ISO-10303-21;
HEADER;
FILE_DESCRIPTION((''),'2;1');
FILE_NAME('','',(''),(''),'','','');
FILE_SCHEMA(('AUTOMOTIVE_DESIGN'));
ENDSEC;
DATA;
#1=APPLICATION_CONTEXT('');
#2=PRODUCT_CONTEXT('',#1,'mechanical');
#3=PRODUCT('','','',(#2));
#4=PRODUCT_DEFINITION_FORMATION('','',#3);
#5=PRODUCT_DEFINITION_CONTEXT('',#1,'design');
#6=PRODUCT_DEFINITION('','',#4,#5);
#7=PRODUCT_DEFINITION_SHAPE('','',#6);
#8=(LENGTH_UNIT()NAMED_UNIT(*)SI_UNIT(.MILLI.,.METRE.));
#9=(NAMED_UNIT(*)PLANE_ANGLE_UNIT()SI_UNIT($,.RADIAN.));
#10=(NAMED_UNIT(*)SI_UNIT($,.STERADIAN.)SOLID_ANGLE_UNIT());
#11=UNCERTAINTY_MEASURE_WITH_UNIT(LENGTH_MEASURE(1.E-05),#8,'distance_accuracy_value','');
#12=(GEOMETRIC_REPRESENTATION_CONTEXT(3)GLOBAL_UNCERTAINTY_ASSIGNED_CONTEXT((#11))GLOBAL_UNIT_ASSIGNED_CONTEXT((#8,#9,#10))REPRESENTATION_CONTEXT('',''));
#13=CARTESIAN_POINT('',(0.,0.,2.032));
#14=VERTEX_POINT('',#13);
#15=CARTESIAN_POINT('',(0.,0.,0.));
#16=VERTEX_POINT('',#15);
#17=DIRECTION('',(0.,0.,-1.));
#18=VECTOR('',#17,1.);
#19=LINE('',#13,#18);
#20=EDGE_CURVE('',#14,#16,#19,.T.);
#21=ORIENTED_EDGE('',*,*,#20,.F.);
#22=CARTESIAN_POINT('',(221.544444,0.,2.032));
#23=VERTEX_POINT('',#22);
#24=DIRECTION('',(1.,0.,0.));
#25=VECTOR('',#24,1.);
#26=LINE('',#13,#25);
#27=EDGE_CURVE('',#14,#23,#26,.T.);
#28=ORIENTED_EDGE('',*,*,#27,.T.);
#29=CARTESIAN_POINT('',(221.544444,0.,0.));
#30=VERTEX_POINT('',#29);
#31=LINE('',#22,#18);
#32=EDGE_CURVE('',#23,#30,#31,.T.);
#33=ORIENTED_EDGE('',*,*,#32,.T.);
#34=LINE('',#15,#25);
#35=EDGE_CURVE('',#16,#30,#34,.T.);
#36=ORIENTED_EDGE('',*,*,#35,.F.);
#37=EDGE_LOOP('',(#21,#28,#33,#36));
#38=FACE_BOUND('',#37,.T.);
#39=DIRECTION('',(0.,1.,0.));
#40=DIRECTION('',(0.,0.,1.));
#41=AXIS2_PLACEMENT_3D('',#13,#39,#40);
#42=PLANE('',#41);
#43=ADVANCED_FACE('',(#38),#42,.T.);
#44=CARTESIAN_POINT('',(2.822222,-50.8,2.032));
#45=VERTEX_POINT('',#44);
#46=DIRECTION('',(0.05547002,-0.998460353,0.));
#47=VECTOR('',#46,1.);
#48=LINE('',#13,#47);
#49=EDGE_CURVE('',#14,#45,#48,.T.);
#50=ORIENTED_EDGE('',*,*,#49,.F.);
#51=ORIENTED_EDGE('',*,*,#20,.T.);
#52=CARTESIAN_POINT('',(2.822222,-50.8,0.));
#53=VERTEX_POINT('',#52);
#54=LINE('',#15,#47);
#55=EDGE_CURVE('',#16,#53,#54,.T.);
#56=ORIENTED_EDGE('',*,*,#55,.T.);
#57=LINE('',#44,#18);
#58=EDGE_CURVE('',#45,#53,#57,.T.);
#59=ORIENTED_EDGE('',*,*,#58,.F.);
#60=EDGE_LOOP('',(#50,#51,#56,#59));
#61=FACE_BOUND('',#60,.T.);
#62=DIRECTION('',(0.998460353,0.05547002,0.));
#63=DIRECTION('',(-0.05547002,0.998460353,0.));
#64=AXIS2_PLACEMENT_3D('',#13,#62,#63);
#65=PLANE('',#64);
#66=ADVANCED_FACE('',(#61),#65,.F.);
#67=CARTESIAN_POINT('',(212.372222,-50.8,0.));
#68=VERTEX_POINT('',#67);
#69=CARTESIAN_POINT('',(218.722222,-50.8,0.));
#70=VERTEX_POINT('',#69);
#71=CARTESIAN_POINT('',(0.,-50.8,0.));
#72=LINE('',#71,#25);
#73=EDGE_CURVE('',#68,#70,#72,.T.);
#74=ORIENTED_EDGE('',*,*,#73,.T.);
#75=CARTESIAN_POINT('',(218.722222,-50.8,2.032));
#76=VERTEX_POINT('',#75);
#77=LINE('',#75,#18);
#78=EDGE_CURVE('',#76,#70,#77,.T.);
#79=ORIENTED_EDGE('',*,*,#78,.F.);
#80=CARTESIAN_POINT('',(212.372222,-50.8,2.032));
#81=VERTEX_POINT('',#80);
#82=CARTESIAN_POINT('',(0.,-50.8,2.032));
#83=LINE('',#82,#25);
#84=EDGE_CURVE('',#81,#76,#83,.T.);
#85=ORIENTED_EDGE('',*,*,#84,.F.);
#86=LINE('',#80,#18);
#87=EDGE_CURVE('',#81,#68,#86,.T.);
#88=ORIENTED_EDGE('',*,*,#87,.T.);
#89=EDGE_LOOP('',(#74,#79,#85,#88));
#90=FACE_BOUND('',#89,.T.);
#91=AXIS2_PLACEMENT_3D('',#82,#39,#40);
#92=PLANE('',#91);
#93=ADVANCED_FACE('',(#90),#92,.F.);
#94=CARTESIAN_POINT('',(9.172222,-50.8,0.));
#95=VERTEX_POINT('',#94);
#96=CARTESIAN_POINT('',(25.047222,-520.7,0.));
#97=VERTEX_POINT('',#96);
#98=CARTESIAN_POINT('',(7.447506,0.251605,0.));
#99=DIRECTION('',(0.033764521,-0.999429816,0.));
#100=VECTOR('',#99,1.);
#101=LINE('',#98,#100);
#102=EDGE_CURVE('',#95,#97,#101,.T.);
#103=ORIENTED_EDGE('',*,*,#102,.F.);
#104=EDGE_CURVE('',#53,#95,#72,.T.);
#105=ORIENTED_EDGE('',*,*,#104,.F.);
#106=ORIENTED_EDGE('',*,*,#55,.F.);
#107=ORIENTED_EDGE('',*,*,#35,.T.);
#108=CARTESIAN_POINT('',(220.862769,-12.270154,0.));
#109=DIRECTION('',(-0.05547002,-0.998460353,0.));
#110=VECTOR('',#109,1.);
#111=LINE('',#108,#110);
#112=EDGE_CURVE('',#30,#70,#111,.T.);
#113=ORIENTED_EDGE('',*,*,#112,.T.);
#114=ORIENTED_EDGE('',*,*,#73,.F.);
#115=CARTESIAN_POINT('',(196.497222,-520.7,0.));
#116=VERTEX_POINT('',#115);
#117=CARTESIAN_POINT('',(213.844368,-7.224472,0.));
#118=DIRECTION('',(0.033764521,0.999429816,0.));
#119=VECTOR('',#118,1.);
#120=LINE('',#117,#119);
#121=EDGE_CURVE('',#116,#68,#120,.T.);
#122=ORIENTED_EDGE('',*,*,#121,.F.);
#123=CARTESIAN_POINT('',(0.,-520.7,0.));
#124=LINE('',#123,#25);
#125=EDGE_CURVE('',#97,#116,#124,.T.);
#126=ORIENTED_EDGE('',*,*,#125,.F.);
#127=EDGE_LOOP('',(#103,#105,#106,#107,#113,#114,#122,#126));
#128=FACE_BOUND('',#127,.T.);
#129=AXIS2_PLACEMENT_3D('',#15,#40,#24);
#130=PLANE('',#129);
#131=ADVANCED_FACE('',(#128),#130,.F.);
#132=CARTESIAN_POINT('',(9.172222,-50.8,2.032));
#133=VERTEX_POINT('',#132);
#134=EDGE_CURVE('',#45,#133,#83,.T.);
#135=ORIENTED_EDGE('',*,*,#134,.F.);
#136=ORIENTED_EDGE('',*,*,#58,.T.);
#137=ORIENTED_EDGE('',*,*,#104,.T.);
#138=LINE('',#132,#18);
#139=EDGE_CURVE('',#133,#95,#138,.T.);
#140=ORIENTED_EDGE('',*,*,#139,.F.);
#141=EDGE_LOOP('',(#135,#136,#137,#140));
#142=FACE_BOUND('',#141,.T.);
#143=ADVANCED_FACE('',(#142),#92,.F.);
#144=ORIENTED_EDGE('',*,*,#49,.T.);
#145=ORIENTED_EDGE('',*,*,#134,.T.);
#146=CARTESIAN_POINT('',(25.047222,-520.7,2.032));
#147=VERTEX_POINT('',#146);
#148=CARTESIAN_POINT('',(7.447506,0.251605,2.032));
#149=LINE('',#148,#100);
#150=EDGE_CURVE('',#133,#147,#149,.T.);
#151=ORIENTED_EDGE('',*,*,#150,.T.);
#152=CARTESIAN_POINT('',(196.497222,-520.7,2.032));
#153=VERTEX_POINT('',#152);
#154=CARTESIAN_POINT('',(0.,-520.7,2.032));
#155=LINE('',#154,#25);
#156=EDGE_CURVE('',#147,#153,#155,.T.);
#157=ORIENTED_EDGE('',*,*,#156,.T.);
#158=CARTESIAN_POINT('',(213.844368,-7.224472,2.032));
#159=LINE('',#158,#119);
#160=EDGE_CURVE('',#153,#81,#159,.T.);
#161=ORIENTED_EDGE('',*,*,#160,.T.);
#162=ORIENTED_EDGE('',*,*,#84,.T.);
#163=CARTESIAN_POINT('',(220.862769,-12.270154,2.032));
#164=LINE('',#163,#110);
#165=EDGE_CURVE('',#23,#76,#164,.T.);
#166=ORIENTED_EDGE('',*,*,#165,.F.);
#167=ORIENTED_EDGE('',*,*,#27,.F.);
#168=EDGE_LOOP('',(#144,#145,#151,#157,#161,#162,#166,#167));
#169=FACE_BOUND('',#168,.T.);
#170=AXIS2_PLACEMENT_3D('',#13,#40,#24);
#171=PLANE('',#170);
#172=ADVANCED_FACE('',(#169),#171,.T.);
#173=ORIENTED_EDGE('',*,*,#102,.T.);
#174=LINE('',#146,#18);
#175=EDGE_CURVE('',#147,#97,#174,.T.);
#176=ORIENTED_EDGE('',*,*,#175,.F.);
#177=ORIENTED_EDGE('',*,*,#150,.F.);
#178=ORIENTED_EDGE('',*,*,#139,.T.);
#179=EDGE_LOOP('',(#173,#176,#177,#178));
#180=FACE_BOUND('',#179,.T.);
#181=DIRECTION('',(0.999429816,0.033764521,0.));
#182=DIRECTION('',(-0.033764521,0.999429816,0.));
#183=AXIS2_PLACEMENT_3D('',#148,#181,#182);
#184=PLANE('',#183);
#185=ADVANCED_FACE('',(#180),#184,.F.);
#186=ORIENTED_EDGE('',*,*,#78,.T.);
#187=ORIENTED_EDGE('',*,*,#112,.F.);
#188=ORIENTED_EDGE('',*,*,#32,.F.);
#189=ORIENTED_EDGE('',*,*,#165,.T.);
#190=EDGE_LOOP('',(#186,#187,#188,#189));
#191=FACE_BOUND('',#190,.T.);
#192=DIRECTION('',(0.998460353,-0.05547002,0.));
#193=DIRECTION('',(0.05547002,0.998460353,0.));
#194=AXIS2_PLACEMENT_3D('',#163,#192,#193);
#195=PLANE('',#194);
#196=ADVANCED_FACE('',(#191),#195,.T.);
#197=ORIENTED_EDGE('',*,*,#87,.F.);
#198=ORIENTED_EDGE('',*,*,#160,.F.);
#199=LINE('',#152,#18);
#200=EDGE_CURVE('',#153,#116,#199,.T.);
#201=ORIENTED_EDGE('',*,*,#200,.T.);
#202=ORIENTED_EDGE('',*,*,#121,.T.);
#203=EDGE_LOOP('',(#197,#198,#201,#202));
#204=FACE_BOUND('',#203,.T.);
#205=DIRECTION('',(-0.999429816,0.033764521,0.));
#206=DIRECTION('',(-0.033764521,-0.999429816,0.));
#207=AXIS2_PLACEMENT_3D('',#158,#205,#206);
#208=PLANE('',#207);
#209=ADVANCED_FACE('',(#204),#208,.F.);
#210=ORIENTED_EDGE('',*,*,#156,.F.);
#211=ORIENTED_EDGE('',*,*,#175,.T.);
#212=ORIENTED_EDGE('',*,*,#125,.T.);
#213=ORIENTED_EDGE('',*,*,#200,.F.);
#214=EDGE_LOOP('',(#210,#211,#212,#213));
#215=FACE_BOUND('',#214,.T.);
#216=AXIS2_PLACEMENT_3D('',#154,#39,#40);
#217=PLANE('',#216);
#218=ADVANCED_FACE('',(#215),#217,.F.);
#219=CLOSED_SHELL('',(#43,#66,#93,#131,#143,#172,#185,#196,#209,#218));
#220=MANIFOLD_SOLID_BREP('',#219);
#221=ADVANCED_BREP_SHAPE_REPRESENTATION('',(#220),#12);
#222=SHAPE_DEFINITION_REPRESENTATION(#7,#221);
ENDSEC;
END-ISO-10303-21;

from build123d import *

# Parameters (mm, degrees)
BOSS_EXTRUDE1_DEPTH = 2.032


with BuildPart() as part:
    # Sketch1 → Boss-Extrude1 (new body)
    with BuildSketch(Plane.XY):
        Polygon((221.544444444, 0), (218.722222222, -50.8), (2.822222222, -50.8), (0, 0), align=None)
        Polygon((212.372222222, -50.8), (9.172222222, -50.8), (25.047222222, -520.7), (196.497222222, -520.7), align=None)
    extrude(amount=BOSS_EXTRUDE1_DEPTH)


solid = part.part
